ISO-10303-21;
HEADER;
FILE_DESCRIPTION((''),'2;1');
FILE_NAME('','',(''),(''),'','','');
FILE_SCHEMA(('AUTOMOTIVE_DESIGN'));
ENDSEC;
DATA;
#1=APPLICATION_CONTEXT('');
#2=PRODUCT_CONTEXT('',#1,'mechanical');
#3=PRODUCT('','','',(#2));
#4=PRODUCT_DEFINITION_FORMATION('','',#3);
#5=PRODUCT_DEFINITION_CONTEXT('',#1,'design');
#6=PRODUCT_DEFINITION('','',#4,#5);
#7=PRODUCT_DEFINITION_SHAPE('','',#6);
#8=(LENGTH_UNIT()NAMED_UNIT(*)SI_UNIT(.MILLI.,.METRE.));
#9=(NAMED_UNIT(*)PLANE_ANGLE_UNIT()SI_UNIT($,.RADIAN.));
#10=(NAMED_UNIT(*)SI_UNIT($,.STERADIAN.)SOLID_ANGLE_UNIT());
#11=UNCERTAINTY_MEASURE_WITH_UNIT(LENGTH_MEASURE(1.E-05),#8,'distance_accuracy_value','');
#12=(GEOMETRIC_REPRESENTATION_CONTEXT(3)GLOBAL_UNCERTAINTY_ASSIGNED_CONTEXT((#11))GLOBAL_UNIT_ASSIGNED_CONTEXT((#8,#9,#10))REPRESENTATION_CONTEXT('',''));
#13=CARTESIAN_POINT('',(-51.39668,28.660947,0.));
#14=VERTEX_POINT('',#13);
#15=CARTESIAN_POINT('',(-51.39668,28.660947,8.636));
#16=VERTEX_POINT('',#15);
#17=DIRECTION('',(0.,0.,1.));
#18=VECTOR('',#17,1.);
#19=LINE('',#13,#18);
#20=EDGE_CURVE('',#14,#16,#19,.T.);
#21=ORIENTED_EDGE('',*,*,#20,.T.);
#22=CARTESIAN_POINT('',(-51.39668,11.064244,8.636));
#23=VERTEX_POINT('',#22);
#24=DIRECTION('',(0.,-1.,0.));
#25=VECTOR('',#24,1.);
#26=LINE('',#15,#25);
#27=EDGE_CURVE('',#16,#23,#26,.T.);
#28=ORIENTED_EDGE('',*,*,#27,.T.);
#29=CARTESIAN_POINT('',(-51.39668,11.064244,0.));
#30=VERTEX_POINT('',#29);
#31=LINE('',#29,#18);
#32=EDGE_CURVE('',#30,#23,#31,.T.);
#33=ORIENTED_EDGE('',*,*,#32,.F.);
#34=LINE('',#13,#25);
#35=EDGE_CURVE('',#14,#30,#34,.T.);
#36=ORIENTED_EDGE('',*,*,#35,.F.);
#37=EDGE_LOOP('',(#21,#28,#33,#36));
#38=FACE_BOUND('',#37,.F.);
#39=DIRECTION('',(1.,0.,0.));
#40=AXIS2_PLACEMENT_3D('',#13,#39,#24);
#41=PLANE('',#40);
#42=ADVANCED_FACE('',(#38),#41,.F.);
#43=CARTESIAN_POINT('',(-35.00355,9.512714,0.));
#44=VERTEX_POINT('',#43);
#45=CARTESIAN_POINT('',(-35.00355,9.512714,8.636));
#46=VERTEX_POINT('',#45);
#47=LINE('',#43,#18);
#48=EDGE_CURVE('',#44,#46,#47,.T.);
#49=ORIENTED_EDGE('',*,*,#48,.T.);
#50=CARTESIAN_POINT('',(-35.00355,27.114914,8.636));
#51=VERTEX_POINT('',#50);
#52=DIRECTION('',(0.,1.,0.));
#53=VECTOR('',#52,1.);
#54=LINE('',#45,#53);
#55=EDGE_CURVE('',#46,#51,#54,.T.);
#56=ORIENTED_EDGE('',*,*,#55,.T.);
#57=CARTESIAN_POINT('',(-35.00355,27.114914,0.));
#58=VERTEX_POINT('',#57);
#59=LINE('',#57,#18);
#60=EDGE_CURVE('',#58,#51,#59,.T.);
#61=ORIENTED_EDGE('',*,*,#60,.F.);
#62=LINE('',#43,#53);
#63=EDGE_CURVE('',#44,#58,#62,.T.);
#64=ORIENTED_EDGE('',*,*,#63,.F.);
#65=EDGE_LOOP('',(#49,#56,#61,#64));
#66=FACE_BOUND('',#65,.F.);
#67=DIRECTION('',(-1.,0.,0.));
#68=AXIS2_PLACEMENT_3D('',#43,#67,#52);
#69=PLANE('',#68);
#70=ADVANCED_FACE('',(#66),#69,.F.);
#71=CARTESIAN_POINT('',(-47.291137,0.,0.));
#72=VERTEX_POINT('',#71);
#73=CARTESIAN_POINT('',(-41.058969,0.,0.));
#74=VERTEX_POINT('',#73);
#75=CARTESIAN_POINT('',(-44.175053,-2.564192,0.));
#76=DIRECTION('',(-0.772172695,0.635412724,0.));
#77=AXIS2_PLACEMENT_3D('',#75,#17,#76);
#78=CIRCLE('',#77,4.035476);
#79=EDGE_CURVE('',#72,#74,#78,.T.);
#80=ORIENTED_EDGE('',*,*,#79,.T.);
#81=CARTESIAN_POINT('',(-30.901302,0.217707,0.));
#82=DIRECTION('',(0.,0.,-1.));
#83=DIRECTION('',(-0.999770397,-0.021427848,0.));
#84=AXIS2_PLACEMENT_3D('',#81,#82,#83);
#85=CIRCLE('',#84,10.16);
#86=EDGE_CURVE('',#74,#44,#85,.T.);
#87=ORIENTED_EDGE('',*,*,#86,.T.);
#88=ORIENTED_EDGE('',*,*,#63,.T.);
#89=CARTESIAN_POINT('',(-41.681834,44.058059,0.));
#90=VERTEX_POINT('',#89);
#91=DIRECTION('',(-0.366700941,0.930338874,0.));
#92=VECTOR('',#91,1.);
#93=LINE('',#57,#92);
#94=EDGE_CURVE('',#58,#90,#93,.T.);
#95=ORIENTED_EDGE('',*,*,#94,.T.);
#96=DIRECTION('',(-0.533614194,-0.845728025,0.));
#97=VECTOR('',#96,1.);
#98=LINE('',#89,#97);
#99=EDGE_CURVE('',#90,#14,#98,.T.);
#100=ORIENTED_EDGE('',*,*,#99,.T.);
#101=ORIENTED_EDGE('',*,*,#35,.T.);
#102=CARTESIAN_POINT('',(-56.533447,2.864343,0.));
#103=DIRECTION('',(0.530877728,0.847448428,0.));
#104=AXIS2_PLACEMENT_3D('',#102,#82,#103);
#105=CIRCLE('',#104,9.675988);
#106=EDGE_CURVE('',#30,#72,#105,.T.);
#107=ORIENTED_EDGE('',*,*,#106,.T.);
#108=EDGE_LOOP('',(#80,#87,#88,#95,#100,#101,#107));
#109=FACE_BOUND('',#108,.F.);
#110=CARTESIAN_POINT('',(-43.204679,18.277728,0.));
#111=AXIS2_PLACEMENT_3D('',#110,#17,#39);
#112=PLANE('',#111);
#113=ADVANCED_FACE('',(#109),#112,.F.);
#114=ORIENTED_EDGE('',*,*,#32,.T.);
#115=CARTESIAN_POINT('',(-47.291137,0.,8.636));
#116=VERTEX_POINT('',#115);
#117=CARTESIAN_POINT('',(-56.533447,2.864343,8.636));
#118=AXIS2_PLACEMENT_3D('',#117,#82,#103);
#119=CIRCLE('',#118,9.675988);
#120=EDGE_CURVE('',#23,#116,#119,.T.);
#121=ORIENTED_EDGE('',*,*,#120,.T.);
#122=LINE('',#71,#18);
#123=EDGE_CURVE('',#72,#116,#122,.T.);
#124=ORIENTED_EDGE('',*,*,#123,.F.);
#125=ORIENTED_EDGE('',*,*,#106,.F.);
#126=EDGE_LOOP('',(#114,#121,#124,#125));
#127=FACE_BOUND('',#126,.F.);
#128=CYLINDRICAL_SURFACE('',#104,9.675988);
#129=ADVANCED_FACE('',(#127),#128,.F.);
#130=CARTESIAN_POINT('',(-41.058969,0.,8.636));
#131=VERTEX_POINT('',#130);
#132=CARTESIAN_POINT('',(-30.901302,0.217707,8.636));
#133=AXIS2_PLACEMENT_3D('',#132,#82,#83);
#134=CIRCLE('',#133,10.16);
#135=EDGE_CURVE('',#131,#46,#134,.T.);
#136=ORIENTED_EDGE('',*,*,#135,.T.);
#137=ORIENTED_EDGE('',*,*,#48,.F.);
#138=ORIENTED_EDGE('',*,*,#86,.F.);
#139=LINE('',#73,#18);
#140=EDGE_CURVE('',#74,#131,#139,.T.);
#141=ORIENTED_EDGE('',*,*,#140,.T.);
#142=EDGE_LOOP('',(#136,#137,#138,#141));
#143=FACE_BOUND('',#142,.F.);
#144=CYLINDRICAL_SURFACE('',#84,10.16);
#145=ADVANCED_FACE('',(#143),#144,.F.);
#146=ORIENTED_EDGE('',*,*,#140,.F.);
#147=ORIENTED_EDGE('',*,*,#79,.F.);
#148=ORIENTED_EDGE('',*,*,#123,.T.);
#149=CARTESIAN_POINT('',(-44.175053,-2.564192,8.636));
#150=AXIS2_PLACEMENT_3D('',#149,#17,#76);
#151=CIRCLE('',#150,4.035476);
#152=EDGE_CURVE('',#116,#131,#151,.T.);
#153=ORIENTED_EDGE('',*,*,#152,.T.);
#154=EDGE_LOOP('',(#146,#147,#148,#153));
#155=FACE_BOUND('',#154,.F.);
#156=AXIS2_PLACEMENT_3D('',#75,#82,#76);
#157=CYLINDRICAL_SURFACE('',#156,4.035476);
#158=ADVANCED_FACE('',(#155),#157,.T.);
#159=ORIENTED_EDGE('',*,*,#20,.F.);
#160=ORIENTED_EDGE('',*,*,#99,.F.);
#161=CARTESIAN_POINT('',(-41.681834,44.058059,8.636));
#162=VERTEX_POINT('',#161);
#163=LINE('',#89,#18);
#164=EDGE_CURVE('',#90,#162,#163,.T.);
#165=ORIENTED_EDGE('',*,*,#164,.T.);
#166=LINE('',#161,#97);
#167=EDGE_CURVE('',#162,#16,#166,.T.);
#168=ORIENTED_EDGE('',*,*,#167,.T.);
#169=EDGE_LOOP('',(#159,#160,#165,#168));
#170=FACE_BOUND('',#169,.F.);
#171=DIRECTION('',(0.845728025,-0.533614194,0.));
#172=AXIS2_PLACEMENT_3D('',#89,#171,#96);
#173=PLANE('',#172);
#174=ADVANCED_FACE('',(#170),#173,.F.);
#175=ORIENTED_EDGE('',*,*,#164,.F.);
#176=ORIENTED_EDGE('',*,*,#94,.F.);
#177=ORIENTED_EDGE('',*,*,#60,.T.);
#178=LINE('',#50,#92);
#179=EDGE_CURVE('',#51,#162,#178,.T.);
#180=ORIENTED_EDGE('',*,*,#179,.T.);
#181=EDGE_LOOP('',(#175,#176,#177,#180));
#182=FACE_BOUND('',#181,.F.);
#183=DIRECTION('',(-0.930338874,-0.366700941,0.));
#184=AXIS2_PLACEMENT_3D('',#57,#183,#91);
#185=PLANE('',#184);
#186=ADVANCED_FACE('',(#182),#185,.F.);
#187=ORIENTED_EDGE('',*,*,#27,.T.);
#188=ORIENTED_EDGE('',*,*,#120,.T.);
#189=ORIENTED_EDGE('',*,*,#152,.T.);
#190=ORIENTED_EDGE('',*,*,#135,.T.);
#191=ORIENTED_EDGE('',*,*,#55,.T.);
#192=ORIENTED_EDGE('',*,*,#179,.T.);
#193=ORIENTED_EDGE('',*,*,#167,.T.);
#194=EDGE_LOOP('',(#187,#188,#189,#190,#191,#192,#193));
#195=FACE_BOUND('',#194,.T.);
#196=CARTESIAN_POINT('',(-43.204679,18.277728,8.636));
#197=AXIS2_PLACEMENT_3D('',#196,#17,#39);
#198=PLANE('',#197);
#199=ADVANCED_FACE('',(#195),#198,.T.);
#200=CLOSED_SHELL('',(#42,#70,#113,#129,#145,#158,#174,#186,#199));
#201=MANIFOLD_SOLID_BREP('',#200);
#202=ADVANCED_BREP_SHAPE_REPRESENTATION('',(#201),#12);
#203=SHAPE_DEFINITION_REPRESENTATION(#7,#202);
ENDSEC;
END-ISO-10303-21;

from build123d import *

# Parameters (mm, degrees)
F1_DEPTH = 8.636


with BuildPart() as f1:
    # F0 (on Top) → F1 (new body)
    with BuildSketch(Plane.XY):
        with BuildLine():
            Line((-41.681834, 44.058059), (-51.39668, 28.660947))
            Line((-51.39668, 28.660947), (-51.39668, 11.064244))
            ThreePointArc((-51.39668, 11.064244), (-47.461852, 6.230486), (-47.291137, 0))
            ThreePointArc((-47.291137, 0), (-44.175053, -6.599668), (-41.058969, 0))
            ThreePointArc((-41.058969, 0), (-39.472138, 5.673563), (-35.00355, 9.512714))
            Line((-35.00355, 9.512714), (-35.00355, 27.114914))
            Line((-35.00355, 27.114914), (-41.681834, 44.058059))
        make_face()
    extrude(amount=F1_DEPTH)


solid = f1.part
